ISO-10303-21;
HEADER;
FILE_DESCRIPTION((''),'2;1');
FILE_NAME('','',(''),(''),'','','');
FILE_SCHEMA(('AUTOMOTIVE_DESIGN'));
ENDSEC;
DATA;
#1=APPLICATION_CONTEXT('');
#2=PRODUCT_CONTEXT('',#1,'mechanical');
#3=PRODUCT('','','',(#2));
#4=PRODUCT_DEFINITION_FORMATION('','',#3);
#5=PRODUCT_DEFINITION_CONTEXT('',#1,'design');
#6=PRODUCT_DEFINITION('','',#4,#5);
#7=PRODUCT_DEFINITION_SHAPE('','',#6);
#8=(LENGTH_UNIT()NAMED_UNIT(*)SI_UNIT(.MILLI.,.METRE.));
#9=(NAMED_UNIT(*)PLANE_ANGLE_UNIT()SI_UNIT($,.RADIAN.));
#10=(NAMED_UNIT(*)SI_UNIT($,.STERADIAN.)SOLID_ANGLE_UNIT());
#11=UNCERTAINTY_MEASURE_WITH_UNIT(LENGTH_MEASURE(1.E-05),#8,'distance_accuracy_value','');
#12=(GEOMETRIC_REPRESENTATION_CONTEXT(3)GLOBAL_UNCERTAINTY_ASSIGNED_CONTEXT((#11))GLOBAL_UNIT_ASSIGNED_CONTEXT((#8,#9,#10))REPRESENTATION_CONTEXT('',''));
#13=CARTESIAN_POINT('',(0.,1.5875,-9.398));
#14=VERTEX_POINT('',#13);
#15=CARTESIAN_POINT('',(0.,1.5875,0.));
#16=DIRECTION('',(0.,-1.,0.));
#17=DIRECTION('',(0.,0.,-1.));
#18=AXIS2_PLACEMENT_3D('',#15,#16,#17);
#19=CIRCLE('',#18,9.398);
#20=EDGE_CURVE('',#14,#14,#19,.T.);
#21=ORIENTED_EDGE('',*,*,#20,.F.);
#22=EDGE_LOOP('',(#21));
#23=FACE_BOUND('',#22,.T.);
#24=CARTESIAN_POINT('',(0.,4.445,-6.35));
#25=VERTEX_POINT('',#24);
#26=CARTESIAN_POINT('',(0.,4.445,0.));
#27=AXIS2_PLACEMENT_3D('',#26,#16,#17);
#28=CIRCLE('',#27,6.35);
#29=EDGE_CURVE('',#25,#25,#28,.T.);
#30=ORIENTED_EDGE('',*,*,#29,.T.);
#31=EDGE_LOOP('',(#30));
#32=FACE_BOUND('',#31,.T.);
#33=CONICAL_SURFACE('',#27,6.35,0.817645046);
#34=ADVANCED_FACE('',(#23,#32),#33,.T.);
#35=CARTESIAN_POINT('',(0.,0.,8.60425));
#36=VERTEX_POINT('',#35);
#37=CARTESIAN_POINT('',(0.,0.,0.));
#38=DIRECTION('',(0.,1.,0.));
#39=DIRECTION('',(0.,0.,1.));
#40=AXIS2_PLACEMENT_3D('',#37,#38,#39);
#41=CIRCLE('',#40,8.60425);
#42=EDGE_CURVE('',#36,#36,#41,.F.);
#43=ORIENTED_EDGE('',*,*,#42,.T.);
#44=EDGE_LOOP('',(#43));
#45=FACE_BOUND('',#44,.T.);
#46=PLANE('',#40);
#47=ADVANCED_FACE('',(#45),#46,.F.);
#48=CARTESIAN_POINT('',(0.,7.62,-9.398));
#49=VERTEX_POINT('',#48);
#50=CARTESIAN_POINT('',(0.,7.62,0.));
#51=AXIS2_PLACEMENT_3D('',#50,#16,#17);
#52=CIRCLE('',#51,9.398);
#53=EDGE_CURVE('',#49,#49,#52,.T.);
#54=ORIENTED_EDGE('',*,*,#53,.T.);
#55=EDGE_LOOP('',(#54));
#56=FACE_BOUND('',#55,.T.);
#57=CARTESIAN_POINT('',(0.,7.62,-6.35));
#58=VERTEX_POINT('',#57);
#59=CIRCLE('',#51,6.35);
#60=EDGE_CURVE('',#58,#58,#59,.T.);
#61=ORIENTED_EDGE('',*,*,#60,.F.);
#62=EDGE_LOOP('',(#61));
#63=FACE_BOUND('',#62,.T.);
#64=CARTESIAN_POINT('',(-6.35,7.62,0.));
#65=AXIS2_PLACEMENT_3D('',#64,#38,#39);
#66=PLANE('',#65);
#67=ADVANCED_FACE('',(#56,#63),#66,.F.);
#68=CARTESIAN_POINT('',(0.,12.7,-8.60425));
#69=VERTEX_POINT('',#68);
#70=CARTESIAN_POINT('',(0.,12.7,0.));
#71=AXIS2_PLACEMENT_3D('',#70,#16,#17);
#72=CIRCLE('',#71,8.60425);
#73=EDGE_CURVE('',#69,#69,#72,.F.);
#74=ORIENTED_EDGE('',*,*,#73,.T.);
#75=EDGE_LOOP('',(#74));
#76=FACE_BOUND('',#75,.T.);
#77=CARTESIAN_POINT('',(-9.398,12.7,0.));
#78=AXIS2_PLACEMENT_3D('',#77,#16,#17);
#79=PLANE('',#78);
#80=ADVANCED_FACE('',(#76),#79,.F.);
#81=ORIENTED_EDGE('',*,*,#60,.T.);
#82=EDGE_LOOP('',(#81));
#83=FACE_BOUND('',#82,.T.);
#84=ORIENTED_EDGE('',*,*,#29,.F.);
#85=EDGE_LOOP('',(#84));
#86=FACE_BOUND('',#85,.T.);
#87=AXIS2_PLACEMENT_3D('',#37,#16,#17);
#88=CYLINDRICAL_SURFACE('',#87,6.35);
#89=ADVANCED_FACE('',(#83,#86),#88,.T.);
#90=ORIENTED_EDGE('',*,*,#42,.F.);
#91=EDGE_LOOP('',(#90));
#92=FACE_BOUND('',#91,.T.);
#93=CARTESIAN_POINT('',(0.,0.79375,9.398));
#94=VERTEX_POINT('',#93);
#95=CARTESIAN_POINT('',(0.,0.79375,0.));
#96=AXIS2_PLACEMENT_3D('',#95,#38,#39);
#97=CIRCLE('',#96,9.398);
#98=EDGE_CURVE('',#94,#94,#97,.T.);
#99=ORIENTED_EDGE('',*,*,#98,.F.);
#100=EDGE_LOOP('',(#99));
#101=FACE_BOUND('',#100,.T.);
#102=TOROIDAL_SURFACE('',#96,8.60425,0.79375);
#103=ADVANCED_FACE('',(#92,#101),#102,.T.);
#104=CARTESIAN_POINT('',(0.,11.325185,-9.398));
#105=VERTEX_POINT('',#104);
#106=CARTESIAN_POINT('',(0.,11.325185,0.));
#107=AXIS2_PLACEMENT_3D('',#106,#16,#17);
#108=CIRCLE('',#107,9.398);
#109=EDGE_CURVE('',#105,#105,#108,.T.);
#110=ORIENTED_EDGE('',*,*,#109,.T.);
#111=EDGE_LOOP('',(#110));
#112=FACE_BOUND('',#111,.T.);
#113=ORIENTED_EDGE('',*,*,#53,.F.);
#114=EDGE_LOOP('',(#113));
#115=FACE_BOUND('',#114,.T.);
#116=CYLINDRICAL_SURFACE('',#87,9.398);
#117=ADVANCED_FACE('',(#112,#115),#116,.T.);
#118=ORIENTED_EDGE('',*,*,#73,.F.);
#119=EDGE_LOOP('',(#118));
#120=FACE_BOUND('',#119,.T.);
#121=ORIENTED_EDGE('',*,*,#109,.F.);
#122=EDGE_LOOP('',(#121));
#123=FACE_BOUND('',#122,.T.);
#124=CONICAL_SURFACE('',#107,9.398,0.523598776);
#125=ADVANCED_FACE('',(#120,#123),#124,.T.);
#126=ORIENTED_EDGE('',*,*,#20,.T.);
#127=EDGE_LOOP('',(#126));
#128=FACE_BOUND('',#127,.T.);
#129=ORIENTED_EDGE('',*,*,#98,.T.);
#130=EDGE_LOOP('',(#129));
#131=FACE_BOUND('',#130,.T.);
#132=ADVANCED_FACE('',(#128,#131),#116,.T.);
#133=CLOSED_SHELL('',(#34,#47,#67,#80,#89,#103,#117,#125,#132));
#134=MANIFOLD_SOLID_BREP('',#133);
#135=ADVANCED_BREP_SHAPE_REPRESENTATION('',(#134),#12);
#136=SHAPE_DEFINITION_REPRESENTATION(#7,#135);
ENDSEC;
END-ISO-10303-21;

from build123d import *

# Parameters (mm, degrees)
FILLET1_R      = 0.79375
CHAMFER1_SIZE  = 0.79375
CHAMFER1_SIZE2 = 1.374815329


with BuildPart() as part:
    # Sketch1 → Revolve1 (revolve)
    with BuildSketch(Plane.XY):
        Polygon((0, 0), (-9.398, 0), (-9.398, 1.5875), (-6.35, 4.445), (-6.35, 7.62), (-9.398, 7.62), (-9.398, 12.7), (0, 12.7), align=None)
    revolve(axis=Axis((0, 0, 0), (0, 1, 0)))

    # Fillet1
    fillet1_edges = [part.edges().sort_by_distance(p)[0] for p in [
        (9.398, 0, 0),
    ]]
    fillet(fillet1_edges, radius=FILLET1_R)

    # Chamfer1
    chamfer1_edges = [part.edges().sort_by_distance(p)[0] for p in [
        (9.398, 12.7, 0),
    ]]
    chamfer1_side = [part.faces().sort_by_distance(p)[0] for p in [
        (0, 12.7, 0),
    ]]
    chamfer(chamfer1_edges, length=CHAMFER1_SIZE, length2=CHAMFER1_SIZE2, reference=chamfer1_side[0])


solid = part.part
